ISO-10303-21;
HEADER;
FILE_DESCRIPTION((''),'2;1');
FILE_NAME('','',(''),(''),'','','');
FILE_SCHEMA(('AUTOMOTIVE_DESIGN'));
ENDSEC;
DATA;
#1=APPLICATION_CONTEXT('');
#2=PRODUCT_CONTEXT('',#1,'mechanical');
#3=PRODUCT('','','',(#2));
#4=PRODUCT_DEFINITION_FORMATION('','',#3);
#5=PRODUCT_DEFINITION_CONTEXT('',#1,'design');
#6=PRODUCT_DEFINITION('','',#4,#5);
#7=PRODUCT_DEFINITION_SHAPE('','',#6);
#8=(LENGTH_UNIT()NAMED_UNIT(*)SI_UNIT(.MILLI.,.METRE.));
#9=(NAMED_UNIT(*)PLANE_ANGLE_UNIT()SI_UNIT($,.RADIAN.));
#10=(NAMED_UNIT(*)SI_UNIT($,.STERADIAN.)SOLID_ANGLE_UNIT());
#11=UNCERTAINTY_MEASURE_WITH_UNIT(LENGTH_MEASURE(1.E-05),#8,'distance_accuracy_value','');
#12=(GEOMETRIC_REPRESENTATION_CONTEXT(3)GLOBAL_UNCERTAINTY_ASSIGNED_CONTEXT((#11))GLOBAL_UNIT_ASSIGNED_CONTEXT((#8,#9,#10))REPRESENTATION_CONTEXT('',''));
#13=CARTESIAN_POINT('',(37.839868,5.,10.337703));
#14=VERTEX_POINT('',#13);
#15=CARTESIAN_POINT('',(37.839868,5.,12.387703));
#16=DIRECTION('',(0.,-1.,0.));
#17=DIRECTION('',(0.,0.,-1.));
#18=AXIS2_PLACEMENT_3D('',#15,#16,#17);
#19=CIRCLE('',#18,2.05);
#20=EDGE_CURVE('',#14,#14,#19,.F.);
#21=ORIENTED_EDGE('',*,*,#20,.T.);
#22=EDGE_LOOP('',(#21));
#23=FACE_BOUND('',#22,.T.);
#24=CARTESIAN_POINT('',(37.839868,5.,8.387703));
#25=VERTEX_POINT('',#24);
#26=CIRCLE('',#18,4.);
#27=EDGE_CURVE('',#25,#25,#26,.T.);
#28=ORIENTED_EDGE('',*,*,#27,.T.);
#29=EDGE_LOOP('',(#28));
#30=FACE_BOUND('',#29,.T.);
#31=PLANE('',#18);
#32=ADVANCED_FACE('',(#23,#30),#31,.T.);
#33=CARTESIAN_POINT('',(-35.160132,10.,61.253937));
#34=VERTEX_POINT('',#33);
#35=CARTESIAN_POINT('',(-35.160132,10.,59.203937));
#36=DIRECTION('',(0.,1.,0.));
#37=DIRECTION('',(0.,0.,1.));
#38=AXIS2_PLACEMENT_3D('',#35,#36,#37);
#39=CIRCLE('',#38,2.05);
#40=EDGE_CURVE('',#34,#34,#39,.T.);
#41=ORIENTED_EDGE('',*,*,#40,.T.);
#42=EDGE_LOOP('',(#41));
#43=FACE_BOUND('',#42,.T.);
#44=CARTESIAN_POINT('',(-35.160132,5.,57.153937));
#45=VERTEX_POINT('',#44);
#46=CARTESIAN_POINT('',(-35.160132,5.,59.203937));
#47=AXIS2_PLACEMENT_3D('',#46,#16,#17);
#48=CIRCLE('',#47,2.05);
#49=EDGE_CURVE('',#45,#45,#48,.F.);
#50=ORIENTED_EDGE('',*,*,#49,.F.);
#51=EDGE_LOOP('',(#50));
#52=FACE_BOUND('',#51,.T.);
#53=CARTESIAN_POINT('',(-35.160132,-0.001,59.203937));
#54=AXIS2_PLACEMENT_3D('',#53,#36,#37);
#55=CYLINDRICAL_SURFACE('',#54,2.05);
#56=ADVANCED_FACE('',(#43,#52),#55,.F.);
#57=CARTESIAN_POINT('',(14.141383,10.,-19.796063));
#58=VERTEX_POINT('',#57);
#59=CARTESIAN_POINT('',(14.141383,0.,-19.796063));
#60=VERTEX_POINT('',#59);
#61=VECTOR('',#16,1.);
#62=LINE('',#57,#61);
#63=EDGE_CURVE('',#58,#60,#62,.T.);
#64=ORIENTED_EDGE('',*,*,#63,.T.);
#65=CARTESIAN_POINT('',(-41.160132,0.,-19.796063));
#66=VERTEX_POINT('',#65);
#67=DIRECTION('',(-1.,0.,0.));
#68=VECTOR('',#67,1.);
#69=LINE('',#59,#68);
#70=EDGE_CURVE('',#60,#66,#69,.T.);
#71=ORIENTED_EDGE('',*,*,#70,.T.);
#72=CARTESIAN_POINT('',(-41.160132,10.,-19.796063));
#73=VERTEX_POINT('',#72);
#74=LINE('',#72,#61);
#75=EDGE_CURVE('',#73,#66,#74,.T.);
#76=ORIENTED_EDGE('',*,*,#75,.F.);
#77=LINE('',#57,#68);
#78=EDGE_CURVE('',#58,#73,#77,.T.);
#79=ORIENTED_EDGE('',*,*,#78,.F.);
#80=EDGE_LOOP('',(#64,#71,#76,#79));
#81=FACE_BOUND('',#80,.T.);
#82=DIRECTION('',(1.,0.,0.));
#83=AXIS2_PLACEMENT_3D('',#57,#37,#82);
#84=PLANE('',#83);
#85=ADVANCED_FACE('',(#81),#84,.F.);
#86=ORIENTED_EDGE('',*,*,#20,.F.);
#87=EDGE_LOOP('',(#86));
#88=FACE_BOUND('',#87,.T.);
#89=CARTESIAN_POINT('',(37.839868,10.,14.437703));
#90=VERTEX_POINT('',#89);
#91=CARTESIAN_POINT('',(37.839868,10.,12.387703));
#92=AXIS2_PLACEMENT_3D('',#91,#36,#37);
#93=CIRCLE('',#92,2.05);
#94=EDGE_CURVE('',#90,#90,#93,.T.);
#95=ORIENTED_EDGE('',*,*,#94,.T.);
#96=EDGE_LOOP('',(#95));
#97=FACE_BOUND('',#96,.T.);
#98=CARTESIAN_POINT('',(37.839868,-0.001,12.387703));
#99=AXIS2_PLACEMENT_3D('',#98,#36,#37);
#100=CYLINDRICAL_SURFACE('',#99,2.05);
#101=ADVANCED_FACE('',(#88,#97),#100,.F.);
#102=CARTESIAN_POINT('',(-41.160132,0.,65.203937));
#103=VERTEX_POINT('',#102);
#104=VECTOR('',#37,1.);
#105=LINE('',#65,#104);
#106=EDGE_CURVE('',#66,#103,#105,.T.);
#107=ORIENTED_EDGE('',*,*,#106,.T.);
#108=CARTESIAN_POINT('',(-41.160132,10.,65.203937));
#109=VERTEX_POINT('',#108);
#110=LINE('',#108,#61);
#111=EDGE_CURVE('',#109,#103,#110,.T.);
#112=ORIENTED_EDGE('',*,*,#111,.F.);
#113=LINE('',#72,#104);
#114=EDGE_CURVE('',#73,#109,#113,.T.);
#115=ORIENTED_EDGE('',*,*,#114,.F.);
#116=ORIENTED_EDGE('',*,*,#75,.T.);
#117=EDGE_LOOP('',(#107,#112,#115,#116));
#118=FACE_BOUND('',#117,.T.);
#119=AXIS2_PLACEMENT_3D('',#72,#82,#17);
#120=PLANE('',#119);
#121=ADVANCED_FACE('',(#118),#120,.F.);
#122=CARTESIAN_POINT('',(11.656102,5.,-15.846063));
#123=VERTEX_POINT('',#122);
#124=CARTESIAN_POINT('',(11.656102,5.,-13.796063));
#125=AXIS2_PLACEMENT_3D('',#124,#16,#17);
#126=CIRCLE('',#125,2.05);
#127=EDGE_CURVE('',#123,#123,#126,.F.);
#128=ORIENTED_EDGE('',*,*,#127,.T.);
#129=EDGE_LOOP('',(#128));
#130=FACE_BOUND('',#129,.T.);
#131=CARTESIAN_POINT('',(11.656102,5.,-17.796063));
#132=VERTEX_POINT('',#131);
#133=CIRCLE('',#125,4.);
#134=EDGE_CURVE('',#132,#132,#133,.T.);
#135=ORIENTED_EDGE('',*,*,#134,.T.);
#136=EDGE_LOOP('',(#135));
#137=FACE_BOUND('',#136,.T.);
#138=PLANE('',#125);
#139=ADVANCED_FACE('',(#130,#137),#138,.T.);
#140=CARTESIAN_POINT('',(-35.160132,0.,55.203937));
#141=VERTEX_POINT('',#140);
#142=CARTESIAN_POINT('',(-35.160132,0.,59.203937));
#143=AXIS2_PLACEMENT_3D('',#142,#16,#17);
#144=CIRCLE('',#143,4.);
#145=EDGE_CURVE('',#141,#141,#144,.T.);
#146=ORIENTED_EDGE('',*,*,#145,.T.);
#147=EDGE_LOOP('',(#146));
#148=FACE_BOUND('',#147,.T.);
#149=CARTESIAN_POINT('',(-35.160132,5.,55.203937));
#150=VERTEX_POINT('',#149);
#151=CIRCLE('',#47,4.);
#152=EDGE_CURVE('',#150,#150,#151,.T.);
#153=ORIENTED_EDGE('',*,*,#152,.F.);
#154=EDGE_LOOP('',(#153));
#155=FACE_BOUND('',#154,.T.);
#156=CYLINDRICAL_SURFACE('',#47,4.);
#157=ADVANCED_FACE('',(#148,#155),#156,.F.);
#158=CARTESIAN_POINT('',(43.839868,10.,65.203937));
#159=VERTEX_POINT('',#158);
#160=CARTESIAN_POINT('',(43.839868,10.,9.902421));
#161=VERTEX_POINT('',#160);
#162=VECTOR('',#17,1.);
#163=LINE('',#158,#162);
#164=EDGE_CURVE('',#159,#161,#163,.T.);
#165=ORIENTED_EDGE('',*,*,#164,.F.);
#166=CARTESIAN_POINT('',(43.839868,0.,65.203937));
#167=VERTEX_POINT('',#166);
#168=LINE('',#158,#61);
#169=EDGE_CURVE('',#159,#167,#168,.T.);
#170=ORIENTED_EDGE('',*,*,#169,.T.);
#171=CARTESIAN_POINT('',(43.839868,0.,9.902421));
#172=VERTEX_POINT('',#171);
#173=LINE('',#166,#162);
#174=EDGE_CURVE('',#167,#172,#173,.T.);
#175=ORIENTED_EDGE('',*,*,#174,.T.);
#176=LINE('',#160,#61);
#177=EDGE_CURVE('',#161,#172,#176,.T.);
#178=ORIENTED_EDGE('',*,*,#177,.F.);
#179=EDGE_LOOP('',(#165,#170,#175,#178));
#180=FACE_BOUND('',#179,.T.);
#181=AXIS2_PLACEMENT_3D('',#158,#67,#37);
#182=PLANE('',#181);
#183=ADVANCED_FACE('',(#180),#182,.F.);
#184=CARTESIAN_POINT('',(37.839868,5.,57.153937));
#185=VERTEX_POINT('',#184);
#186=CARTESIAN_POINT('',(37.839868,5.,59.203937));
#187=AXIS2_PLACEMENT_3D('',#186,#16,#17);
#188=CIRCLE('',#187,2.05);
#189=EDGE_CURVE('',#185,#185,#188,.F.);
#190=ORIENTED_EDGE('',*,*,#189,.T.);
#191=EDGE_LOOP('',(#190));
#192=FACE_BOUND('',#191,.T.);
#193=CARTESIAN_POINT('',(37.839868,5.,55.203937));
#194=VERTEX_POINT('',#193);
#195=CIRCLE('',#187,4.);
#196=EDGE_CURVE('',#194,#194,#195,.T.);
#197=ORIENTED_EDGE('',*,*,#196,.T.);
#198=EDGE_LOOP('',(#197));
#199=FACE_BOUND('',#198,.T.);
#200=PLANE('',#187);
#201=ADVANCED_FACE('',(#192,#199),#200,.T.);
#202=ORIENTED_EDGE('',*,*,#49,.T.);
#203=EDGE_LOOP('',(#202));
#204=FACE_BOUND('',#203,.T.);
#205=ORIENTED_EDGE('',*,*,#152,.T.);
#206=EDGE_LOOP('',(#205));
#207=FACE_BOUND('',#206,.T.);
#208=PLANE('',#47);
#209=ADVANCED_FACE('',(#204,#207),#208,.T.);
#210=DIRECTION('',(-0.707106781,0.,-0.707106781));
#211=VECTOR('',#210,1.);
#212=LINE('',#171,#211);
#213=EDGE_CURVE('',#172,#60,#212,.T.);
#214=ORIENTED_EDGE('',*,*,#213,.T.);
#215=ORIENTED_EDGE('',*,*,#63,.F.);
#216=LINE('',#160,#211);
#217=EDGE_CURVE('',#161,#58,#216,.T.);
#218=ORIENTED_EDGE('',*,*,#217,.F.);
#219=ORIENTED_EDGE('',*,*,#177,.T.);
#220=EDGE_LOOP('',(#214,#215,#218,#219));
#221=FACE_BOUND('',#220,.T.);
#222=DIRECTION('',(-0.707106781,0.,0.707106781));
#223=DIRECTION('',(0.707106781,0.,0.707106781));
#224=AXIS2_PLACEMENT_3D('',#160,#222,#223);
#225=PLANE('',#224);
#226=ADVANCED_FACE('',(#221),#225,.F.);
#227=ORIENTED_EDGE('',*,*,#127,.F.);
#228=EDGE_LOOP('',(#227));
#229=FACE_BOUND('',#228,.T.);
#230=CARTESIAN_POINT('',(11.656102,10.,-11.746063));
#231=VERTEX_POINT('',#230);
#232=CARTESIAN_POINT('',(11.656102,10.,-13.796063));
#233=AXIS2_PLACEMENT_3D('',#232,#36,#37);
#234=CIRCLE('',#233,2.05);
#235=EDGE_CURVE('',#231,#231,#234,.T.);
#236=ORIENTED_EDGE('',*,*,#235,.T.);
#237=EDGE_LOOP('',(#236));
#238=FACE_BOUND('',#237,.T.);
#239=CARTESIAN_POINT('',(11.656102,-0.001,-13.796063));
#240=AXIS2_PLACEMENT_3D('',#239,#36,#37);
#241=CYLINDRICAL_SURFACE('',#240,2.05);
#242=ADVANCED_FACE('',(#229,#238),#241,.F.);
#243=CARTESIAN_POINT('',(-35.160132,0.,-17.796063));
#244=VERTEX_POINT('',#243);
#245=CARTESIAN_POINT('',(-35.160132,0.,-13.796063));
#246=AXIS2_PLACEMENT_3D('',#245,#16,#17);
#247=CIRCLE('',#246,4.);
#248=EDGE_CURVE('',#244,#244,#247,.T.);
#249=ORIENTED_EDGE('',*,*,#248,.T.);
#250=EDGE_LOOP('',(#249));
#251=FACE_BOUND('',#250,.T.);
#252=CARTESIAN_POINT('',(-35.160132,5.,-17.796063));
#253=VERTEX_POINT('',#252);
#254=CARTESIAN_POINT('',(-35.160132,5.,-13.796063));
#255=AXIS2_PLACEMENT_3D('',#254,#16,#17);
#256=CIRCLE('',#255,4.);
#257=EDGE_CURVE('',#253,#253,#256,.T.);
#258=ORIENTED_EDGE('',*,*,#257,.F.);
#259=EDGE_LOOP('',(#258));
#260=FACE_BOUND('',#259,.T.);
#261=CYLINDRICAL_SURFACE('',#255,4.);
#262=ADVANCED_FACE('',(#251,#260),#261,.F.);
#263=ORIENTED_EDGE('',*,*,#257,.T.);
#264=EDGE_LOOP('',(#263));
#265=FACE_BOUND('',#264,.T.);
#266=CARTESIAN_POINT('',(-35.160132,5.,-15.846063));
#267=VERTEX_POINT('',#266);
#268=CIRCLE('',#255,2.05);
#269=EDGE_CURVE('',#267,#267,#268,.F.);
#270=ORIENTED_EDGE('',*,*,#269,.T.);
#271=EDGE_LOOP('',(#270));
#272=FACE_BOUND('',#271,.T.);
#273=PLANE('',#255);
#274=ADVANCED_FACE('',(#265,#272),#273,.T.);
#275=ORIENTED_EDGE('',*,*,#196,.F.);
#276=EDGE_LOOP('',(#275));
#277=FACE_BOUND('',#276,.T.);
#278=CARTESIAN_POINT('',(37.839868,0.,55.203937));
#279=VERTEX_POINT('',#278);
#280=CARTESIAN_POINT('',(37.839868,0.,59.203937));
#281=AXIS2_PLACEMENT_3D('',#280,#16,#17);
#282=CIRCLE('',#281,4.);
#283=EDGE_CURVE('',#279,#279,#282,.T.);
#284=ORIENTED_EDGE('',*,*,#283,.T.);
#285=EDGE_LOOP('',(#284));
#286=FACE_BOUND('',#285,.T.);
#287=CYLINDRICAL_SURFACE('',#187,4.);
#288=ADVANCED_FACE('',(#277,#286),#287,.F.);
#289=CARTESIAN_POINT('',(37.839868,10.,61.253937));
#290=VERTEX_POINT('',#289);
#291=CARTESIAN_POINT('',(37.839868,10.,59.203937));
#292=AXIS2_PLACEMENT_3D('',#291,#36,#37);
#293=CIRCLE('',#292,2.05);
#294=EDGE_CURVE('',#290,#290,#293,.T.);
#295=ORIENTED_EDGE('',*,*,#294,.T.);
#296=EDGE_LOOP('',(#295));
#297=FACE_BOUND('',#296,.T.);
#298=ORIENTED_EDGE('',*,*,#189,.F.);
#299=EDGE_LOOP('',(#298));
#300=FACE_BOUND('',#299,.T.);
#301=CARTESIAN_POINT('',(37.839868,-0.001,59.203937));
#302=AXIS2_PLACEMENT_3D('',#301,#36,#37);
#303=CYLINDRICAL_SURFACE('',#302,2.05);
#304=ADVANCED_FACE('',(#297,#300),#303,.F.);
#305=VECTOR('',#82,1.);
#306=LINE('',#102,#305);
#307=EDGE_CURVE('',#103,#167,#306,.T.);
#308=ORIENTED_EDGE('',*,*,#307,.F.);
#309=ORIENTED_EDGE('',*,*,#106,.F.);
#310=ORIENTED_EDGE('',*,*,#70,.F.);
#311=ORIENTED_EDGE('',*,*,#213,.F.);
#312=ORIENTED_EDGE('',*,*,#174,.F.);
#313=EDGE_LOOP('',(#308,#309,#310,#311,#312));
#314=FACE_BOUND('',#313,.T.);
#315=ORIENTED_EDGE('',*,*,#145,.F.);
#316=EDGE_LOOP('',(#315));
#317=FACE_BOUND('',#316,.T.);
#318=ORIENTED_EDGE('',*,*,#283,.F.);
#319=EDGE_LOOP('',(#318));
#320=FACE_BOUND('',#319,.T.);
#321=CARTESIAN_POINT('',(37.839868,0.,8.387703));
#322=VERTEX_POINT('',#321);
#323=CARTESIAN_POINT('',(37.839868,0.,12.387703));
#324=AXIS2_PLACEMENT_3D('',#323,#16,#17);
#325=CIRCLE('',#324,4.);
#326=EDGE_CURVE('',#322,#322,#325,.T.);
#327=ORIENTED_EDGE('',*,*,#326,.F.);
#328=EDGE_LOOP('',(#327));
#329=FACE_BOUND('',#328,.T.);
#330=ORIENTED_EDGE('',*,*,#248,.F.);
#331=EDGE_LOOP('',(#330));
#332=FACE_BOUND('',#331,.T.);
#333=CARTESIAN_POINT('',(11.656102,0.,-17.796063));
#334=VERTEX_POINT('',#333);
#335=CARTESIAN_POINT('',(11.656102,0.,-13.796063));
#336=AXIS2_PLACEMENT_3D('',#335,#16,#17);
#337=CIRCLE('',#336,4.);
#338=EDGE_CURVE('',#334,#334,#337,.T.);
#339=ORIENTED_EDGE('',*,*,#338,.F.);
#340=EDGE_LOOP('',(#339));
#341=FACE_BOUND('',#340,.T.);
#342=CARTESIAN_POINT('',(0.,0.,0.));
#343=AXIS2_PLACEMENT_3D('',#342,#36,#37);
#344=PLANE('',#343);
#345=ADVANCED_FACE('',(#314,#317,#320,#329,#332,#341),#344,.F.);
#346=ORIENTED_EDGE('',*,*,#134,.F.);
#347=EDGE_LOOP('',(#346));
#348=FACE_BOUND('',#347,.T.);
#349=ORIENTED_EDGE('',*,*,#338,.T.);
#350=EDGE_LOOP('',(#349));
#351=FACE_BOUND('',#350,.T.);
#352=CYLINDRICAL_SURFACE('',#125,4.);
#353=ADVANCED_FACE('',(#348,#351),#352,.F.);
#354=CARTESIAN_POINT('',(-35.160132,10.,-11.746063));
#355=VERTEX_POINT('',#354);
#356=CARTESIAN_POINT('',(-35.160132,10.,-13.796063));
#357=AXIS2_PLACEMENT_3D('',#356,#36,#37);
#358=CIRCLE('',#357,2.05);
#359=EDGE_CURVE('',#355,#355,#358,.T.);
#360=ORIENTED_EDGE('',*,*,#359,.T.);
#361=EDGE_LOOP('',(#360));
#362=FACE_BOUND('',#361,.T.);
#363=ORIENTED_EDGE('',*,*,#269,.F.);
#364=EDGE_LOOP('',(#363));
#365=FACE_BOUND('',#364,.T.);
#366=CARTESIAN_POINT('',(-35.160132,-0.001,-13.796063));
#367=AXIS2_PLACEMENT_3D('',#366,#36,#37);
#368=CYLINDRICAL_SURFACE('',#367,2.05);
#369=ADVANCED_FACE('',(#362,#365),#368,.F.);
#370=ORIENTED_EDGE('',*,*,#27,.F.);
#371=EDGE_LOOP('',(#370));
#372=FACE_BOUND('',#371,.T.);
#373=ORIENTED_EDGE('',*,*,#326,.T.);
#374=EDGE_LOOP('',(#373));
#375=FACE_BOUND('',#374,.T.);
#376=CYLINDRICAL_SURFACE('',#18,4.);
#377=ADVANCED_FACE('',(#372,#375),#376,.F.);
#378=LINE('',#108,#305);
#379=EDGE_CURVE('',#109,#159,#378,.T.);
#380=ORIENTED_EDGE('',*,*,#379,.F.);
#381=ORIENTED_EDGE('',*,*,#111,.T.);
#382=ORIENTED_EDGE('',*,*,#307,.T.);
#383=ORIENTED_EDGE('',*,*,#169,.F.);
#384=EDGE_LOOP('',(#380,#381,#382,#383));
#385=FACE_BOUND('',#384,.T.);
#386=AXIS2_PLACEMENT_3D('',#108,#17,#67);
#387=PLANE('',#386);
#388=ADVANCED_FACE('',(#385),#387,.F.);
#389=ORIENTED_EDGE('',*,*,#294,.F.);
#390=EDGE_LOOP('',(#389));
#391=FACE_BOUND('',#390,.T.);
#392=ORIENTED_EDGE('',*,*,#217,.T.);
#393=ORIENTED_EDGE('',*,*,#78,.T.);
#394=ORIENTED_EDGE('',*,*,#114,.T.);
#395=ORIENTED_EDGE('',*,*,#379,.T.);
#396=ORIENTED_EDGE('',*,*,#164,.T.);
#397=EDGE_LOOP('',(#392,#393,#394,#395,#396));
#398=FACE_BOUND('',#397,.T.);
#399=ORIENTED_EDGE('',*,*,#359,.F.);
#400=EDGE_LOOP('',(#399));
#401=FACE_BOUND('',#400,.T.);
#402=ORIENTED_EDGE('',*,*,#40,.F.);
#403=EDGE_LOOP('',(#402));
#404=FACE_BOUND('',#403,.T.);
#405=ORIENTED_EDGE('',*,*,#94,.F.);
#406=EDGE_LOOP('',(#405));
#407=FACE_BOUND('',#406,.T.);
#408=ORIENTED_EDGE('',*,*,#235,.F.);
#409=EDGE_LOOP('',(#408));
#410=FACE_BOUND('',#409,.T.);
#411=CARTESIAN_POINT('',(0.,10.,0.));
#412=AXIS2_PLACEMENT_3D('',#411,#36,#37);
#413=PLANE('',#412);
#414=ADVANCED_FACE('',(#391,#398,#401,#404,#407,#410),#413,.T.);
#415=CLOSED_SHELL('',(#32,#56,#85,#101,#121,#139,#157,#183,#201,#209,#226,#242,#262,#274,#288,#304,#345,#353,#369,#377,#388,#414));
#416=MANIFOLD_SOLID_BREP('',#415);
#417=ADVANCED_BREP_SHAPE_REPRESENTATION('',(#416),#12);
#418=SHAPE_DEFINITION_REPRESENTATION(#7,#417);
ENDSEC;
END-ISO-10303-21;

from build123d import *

# Parameters (mm, degrees)
BOSS_EXTRUDE1_DEPTH = 10
CUT_EXTRUDE3_REACH  = 12
SKETCH2_R           = 2.05
SKETCH5_R           = 4
CUT_EXTRUDE4_DEPTH  = 5


with BuildPart() as part:
    # Sketch1 → Boss-Extrude1 (new body)
    with BuildSketch(Plane(origin=(0, 0, 0), x_dir=(1, 0, 0), z_dir=(0, 1, 0))):
        Polygon((-41.160131748, 19.796063365), (-41.160131748, -65.203936635), (43.839868252, -65.203936635), (43.839868252, -9.902421445), (14.141383442, 19.796063365), align=None)
    extrude(amount=BOSS_EXTRUDE1_DEPTH)

    # Sketch2 → Cut-Extrude3 (cut, up to next)
    with BuildSketch(Plane(origin=(0, 10, 0), x_dir=(1, 0, 0), z_dir=(0, 1, 0)), mode=Mode.PRIVATE) as cut_extrude3_sk1:
        with Locations((37.839868252, -12.387702819)):
            Circle(SKETCH2_R)
    cut_extrude3_tool1 = extrude(cut_extrude3_sk1.sketch, amount=-CUT_EXTRUDE3_REACH, mode=Mode.PRIVATE) & part.part
    add(cut_extrude3_tool1.solids().sort_by_distance((37.839868, 10, 12.387703))[0], mode=Mode.SUBTRACT)
    # Sketch2 → Cut-Extrude3 (cut, up to next)
    with BuildSketch(Plane(origin=(0, 10, 0), x_dir=(1, 0, 0), z_dir=(0, 1, 0)), mode=Mode.PRIVATE) as cut_extrude3_sk2:
        with Locations((37.839868252, -59.203936635)):
            Circle(SKETCH2_R)
    cut_extrude3_tool2 = extrude(cut_extrude3_sk2.sketch, amount=-CUT_EXTRUDE3_REACH, mode=Mode.PRIVATE) & part.part
    add(cut_extrude3_tool2.solids().sort_by_distance((37.839868, 10, 59.203937))[0], mode=Mode.SUBTRACT)
    # Sketch2 → Cut-Extrude3 (cut, up to next)
    with BuildSketch(Plane(origin=(0, 10, 0), x_dir=(1, 0, 0), z_dir=(0, 1, 0)), mode=Mode.PRIVATE) as cut_extrude3_sk3:
        with Locations((-35.160131748, -59.203936635)):
            Circle(SKETCH2_R)
    cut_extrude3_tool3 = extrude(cut_extrude3_sk3.sketch, amount=-CUT_EXTRUDE3_REACH, mode=Mode.PRIVATE) & part.part
    add(cut_extrude3_tool3.solids().sort_by_distance((-35.160132, 10, 59.203937))[0], mode=Mode.SUBTRACT)
    # Sketch2 → Cut-Extrude3 (cut, up to next)
    with BuildSketch(Plane(origin=(0, 10, 0), x_dir=(1, 0, 0), z_dir=(0, 1, 0)), mode=Mode.PRIVATE) as cut_extrude3_sk4:
        with Locations((-35.160131748, 13.796063365)):
            Circle(SKETCH2_R)
    cut_extrude3_tool4 = extrude(cut_extrude3_sk4.sketch, amount=-CUT_EXTRUDE3_REACH, mode=Mode.PRIVATE) & part.part
    add(cut_extrude3_tool4.solids().sort_by_distance((-35.160132, 10, -13.796063))[0], mode=Mode.SUBTRACT)
    # Sketch2 → Cut-Extrude3 (cut, up to next)
    with BuildSketch(Plane(origin=(0, 10, 0), x_dir=(1, 0, 0), z_dir=(0, 1, 0)), mode=Mode.PRIVATE) as cut_extrude3_sk5:
        with Locations((11.656102068, 13.796063365)):
            Circle(SKETCH2_R)
    cut_extrude3_tool5 = extrude(cut_extrude3_sk5.sketch, amount=-CUT_EXTRUDE3_REACH, mode=Mode.PRIVATE) & part.part
    add(cut_extrude3_tool5.solids().sort_by_distance((11.656102, 10, -13.796063))[0], mode=Mode.SUBTRACT)

    # Sketch5 → Cut-Extrude4 (cut)
    with BuildSketch(Plane.XZ):
        with Locations((37.839868252, 59.203936635)):
            Circle(SKETCH5_R)
        with Locations((37.839868252, 12.387702819)):
            Circle(SKETCH5_R)
        with Locations((11.656102068, -13.796063365)):
            Circle(SKETCH5_R)
        with Locations((-35.160131748, -13.796063365)):
            Circle(SKETCH5_R)
        with Locations((-35.160131748, 59.203936635)):
            Circle(SKETCH5_R)
    extrude(amount=-CUT_EXTRUDE4_DEPTH, mode=Mode.SUBTRACT)


solid = part.part
